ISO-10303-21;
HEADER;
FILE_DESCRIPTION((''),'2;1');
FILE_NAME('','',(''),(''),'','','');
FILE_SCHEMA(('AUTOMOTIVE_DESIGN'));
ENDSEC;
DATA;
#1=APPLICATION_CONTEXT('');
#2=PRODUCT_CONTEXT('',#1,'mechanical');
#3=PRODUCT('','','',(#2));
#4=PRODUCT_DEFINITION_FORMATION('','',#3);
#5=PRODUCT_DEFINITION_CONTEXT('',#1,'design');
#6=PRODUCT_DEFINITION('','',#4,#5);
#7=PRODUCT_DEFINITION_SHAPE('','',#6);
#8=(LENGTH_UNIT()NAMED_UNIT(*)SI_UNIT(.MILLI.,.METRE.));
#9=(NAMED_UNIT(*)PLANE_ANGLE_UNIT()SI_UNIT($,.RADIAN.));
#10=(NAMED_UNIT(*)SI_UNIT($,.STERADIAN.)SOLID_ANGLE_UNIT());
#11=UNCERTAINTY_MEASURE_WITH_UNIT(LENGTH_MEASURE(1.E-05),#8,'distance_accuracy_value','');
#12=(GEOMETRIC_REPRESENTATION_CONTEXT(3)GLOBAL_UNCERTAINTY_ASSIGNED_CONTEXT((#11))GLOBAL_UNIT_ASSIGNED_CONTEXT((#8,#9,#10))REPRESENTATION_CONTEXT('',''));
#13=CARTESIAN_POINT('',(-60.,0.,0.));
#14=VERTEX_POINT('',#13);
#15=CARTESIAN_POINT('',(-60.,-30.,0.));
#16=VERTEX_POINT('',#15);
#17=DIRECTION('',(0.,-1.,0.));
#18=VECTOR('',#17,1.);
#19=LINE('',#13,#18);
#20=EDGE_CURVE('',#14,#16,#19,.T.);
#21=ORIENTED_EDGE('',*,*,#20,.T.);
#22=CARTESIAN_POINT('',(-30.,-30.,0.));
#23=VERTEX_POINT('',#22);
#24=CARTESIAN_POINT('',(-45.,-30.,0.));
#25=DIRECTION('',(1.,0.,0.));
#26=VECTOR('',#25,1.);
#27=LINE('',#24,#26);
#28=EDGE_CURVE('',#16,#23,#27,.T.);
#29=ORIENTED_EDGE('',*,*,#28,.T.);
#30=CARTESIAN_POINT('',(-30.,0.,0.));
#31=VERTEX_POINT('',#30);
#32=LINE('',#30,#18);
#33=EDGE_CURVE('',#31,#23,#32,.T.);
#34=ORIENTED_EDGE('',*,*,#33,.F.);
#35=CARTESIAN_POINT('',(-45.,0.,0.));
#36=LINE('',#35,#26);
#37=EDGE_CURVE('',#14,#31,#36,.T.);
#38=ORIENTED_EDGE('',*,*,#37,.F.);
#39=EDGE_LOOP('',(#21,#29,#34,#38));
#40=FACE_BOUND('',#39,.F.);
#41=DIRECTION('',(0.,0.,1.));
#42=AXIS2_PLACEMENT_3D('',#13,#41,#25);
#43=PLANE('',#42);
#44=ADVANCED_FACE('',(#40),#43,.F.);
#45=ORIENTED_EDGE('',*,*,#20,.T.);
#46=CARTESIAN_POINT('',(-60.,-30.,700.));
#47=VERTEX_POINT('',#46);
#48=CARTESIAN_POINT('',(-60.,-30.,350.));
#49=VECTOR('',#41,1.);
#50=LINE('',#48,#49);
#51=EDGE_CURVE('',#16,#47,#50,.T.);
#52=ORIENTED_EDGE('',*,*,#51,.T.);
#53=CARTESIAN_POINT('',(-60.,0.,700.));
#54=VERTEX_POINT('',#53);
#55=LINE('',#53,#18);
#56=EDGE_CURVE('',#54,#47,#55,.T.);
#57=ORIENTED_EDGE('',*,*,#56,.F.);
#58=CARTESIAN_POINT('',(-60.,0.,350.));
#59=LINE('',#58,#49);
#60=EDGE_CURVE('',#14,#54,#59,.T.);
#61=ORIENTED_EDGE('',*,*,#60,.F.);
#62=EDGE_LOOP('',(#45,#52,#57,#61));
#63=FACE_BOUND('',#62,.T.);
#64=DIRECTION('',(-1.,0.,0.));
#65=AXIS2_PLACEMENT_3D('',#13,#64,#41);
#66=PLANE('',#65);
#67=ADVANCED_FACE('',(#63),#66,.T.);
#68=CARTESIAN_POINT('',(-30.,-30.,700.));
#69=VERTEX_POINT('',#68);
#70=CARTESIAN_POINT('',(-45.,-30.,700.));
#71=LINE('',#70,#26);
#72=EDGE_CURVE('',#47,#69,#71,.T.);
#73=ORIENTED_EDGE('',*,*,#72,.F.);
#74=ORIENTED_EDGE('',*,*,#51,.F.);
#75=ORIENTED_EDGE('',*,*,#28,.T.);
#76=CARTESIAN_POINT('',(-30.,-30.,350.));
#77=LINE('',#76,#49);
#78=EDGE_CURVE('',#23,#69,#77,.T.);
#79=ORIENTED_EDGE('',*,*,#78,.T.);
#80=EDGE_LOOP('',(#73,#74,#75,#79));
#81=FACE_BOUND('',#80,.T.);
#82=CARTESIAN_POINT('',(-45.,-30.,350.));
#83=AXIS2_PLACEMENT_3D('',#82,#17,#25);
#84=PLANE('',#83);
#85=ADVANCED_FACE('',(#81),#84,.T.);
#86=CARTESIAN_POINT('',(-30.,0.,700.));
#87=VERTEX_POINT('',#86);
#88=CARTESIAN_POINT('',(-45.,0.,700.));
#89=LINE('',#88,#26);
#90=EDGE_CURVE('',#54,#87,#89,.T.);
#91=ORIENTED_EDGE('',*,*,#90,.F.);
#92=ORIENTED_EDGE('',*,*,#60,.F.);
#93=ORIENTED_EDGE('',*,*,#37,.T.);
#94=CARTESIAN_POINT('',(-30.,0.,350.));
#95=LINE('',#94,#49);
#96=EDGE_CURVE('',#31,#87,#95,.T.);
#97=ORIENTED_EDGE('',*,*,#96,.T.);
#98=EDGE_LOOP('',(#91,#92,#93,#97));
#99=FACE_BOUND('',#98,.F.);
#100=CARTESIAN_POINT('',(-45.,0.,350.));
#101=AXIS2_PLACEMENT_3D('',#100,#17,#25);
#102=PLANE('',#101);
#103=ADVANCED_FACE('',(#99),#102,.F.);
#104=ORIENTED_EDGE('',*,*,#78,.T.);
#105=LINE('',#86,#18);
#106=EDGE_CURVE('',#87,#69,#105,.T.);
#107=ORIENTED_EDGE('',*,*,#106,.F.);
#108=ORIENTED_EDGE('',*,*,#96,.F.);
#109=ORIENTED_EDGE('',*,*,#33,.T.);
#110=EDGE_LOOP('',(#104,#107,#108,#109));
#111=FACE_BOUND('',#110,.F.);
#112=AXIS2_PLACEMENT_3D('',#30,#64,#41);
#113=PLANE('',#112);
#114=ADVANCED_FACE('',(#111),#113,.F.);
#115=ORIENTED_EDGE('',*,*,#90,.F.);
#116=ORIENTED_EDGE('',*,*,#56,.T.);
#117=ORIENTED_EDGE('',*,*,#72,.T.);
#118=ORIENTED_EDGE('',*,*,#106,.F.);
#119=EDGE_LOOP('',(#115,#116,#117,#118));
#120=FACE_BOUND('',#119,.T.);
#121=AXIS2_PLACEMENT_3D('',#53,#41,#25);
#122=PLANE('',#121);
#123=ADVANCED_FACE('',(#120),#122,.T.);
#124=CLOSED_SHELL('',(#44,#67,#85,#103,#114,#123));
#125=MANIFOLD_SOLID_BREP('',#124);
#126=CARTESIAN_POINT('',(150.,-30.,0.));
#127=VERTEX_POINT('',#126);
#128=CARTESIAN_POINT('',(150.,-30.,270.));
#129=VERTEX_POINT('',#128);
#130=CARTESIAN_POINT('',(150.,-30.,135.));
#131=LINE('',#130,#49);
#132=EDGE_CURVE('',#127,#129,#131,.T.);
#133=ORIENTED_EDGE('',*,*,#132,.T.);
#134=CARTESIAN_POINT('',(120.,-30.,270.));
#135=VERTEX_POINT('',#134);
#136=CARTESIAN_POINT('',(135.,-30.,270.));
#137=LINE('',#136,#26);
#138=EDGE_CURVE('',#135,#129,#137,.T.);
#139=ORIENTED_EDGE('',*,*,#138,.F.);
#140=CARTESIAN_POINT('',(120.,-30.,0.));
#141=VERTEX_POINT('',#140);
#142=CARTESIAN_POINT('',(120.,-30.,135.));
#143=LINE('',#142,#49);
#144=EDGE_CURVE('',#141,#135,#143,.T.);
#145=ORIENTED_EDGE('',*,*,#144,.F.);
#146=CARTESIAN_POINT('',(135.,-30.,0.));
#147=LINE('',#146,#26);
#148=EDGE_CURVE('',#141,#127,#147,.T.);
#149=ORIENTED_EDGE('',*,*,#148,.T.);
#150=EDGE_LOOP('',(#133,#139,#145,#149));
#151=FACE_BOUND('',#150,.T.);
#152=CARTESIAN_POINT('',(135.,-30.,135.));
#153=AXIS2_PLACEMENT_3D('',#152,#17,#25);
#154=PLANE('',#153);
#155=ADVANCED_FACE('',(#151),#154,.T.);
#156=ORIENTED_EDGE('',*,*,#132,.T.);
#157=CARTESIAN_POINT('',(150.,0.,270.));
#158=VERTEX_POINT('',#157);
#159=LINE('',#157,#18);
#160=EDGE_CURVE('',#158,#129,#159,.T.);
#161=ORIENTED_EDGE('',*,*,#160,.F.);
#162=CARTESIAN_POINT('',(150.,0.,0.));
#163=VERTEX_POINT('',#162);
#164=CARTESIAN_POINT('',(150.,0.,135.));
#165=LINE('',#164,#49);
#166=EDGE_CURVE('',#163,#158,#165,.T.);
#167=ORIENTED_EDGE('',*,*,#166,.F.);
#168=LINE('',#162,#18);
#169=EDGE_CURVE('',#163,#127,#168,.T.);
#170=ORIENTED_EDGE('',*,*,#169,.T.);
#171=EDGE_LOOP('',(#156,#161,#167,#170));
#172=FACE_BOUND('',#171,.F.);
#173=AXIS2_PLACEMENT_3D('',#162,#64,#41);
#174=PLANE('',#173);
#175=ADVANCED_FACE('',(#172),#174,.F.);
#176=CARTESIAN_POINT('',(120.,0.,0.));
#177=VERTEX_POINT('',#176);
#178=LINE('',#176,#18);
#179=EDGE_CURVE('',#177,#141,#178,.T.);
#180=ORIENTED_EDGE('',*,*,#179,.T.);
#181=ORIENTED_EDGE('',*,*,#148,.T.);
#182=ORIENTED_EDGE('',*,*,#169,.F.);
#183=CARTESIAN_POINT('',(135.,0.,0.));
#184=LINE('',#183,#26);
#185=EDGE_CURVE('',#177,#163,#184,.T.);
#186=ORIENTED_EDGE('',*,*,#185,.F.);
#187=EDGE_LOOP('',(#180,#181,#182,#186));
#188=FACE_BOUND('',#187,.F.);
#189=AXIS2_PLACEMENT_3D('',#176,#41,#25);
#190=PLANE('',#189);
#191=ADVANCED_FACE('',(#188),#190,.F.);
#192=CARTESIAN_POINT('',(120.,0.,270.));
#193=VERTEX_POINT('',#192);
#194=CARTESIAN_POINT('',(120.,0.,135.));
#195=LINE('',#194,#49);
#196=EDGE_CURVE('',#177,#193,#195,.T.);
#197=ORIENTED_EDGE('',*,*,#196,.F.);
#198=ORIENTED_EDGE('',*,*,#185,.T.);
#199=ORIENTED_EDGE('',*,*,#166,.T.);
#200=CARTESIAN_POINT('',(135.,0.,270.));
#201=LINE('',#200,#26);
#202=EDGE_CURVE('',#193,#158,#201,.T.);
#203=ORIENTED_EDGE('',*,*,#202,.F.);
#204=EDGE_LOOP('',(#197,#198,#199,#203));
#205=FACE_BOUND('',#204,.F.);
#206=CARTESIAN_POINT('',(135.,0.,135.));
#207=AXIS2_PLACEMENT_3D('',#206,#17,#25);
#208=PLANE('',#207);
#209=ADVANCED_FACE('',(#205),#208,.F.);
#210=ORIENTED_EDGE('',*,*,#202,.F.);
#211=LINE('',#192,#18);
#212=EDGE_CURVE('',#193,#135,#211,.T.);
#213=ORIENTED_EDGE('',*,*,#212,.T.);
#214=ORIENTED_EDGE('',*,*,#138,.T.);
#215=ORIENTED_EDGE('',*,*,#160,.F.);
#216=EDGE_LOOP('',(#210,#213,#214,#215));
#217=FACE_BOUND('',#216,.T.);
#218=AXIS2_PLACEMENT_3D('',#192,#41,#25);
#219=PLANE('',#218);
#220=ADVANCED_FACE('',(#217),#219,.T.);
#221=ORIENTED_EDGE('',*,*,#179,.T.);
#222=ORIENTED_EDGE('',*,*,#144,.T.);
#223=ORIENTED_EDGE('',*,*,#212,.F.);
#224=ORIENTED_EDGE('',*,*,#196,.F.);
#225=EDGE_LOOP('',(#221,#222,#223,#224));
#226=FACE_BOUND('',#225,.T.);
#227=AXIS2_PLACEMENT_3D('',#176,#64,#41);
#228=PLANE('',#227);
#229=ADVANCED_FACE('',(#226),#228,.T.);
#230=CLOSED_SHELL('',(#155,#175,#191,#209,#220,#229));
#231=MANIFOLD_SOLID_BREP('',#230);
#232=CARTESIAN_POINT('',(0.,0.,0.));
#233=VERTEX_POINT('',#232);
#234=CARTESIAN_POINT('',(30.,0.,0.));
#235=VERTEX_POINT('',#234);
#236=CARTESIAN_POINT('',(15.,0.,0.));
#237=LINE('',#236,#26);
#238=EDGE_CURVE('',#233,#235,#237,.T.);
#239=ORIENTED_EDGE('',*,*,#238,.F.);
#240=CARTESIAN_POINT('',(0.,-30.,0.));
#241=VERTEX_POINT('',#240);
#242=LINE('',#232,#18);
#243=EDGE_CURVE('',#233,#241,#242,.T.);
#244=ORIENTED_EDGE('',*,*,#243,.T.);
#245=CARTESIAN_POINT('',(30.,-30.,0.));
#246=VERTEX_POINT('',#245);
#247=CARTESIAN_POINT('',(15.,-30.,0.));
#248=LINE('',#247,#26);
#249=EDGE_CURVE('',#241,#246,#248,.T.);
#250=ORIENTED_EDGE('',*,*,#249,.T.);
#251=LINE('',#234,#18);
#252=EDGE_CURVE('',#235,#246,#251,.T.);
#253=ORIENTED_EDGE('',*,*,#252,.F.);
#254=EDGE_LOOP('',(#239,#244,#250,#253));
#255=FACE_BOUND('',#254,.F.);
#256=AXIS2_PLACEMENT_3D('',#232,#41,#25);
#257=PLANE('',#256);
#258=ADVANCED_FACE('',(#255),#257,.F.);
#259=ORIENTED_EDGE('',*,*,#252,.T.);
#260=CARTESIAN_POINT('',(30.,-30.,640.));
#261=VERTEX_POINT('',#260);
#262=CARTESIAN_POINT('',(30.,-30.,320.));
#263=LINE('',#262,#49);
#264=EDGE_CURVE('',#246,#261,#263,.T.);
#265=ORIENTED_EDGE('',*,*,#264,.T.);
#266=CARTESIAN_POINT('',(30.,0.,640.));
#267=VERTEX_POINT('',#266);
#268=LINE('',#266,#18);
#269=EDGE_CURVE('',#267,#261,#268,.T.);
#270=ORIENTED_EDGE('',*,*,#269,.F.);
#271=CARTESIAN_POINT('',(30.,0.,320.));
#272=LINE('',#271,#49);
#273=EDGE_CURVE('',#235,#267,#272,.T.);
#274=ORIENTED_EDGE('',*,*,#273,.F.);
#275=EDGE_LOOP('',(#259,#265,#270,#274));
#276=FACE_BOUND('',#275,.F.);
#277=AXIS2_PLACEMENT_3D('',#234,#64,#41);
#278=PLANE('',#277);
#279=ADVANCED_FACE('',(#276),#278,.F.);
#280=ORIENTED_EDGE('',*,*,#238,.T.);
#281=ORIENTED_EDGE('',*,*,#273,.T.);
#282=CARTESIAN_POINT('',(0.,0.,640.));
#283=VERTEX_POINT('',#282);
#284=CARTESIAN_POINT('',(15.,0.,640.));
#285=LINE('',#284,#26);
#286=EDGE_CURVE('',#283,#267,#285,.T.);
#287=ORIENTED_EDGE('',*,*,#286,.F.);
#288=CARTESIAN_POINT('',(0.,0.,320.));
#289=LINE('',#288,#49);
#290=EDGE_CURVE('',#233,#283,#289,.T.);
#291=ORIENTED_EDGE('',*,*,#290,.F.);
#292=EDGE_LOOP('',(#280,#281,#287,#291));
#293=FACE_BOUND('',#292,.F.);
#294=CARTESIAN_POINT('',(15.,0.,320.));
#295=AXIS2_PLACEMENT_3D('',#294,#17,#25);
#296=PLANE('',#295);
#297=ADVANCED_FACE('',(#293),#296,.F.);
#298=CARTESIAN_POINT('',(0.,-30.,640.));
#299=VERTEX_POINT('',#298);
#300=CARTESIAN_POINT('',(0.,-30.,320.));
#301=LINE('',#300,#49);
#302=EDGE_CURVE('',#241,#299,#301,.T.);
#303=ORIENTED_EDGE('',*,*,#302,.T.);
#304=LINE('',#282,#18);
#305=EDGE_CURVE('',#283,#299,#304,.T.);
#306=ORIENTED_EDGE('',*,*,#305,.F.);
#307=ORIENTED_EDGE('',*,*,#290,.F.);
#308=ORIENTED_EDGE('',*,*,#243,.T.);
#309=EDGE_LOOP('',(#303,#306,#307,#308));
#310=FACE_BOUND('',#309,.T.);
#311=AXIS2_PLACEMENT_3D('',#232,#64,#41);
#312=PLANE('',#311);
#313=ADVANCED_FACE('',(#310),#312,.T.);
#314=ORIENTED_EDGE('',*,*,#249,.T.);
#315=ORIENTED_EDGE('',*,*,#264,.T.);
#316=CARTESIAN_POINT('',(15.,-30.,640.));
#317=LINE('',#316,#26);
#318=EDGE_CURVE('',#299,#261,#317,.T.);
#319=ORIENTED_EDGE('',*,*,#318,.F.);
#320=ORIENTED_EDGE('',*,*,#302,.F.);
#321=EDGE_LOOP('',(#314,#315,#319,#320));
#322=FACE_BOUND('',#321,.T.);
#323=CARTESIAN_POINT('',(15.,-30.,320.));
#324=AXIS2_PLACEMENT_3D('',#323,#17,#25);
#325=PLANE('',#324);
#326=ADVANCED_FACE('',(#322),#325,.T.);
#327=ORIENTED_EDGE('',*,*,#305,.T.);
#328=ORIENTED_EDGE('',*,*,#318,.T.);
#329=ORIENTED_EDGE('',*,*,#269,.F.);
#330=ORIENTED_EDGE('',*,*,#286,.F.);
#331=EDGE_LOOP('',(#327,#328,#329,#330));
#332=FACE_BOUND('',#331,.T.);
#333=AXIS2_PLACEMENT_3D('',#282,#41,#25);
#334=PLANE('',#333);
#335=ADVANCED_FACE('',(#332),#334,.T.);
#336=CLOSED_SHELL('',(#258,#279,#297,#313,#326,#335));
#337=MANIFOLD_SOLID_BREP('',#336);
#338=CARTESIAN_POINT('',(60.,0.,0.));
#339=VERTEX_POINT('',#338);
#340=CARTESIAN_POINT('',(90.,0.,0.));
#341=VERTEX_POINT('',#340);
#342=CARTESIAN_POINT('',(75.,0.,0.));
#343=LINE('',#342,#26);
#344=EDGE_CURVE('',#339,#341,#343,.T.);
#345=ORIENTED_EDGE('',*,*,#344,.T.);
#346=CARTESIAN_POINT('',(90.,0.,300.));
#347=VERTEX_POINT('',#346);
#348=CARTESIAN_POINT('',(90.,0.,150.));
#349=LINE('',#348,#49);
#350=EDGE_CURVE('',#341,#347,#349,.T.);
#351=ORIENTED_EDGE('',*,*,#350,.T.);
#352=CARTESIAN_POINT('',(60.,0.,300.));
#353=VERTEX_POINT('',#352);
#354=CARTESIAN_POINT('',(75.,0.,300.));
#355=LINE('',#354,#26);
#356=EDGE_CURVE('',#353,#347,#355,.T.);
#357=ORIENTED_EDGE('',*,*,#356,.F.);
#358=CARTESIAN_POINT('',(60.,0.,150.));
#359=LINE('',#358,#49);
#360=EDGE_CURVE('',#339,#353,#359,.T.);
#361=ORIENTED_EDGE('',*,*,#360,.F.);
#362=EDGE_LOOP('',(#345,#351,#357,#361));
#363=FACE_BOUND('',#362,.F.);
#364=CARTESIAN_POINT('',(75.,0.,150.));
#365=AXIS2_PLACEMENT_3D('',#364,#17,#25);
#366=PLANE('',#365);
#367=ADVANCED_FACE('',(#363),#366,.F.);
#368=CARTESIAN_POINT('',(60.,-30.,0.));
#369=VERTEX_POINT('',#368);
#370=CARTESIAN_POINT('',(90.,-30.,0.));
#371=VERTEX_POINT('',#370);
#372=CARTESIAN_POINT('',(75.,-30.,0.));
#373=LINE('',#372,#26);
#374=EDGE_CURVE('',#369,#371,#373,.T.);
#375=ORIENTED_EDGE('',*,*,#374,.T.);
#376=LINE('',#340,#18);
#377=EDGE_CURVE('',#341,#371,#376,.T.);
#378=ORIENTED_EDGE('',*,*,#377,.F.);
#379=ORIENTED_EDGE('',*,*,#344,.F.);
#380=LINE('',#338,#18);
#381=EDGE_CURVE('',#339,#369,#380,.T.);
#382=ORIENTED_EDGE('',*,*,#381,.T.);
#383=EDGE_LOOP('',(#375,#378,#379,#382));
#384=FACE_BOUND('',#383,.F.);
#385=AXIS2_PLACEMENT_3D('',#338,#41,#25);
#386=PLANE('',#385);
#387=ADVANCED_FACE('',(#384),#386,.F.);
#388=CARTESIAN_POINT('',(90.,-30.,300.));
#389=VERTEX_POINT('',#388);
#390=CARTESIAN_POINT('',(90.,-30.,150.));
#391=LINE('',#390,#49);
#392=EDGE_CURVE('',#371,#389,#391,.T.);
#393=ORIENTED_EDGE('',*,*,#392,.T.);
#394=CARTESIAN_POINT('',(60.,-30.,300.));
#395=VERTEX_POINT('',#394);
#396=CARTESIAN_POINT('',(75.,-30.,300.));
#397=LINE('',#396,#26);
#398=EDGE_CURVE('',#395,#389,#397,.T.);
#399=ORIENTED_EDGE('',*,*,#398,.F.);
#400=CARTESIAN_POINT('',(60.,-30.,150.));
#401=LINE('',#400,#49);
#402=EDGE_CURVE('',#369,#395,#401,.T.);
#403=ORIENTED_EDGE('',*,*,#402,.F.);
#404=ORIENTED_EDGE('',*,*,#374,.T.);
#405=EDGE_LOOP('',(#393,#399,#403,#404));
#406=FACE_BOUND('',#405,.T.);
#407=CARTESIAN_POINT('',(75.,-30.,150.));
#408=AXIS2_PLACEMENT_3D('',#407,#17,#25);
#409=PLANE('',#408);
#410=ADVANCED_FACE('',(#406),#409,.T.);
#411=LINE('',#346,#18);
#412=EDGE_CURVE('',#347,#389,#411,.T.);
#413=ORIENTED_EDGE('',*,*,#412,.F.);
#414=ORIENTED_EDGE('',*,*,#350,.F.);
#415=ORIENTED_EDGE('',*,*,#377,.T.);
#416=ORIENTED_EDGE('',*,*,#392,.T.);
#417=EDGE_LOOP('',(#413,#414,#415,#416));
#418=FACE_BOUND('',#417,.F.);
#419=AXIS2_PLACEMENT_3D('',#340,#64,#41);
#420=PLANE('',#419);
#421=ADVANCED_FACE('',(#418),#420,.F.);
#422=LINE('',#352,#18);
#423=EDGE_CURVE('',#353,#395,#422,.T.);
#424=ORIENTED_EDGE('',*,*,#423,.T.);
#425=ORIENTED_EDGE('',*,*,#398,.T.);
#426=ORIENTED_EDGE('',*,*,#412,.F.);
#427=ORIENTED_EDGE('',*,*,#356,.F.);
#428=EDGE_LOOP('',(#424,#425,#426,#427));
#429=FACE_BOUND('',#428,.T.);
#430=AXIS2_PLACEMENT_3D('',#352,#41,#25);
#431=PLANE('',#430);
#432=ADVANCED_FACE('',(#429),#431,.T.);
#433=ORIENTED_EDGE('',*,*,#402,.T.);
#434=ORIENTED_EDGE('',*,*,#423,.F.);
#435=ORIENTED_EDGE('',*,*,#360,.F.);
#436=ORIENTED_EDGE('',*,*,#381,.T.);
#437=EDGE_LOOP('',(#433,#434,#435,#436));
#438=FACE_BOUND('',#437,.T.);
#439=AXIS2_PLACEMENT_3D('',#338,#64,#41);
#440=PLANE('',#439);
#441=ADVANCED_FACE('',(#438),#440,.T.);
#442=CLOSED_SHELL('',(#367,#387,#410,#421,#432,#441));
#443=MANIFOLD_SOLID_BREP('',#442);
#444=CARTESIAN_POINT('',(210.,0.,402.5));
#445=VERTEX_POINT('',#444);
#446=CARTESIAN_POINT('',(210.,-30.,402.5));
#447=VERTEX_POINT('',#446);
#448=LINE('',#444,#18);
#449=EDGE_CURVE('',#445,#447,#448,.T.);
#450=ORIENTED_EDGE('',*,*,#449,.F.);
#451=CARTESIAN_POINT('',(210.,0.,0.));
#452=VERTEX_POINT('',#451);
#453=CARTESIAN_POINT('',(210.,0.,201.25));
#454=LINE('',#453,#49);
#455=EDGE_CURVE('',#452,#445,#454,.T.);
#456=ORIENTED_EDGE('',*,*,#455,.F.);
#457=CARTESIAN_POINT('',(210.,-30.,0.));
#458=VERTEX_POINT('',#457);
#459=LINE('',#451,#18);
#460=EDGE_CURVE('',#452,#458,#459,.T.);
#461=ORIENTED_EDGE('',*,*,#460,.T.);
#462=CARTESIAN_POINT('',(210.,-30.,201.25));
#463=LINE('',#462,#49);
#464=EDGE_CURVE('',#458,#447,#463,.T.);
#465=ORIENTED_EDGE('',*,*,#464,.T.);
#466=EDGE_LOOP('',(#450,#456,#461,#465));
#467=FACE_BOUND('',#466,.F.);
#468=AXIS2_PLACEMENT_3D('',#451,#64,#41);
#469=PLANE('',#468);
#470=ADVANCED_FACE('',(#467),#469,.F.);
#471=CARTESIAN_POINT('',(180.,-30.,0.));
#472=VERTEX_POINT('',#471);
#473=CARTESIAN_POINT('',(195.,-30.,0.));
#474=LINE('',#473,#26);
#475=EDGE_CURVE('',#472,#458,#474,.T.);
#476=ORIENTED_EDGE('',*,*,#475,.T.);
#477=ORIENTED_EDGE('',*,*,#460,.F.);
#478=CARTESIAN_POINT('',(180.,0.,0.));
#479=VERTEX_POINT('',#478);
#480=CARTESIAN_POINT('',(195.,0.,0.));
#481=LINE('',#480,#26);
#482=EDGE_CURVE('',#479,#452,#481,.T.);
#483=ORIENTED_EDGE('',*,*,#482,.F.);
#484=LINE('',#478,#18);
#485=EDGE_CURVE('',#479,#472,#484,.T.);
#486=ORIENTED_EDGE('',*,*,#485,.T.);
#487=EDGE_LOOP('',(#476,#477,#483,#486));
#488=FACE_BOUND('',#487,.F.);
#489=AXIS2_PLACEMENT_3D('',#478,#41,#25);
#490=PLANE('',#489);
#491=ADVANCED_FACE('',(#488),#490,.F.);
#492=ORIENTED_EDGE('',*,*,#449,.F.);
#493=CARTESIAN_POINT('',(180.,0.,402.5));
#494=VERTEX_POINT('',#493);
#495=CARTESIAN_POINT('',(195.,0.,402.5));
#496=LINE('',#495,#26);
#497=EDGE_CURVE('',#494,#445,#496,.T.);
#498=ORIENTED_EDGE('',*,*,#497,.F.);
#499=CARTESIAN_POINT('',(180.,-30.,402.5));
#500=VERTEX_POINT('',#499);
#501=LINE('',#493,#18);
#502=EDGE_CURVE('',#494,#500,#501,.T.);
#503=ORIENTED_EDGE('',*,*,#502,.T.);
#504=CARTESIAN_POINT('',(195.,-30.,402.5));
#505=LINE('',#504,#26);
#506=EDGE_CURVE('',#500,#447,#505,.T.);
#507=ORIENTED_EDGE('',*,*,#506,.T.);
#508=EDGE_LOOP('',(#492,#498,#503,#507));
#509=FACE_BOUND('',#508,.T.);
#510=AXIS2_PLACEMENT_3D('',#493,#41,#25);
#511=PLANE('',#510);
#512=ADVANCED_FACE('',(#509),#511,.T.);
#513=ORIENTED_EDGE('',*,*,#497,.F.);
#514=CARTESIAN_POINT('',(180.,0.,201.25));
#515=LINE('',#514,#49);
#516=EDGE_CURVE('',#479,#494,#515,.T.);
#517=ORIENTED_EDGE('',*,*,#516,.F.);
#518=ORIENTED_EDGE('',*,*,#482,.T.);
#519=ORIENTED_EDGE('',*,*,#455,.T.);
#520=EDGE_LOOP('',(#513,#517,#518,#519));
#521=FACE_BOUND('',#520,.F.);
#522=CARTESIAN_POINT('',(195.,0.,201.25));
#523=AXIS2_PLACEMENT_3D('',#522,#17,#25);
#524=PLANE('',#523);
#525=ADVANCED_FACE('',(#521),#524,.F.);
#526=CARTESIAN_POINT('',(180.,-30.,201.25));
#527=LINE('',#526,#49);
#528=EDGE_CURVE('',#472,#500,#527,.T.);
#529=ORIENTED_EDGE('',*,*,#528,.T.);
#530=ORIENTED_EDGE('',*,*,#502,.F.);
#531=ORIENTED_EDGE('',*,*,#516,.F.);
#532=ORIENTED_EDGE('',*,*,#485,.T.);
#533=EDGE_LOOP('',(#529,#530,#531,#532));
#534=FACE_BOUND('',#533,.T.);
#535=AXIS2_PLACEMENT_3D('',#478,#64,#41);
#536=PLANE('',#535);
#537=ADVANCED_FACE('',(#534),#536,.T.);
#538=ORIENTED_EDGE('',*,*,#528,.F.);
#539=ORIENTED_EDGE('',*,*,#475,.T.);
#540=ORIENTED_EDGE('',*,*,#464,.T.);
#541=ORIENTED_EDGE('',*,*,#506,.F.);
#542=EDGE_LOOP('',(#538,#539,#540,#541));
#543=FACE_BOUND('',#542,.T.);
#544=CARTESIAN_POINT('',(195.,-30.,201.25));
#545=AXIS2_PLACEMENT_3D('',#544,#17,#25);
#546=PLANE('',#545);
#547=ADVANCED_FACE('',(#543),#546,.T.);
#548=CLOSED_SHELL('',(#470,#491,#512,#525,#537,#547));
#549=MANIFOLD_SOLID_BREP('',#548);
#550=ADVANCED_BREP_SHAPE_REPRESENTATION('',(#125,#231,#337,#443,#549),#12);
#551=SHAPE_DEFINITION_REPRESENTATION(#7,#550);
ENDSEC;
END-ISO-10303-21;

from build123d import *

# Parameters (mm, degrees)
F0_W     = 30
F0_H     = 700
F0_H_2   = 640
F0_H_3   = 300
F0_H_4   = 270
F0_H_5   = 402.5
F1_DEPTH = 30


with BuildPart() as f1:
    # F0 (on Front) → F1 (new body)
    with BuildSketch(Plane.XZ):
        with Locations((-45, 350)):
            Rectangle(F0_W, F0_H)
        with Locations((15, 320)):
            Rectangle(F0_W, F0_H_2)
        with Locations((75, 150)):
            Rectangle(F0_W, F0_H_3)
        with Locations((135, 135)):
            Rectangle(F0_W, F0_H_4)
        with Locations((195, 201.25)):
            Rectangle(F0_W, F0_H_5)
    extrude(amount=F1_DEPTH)


solid = f1.part
